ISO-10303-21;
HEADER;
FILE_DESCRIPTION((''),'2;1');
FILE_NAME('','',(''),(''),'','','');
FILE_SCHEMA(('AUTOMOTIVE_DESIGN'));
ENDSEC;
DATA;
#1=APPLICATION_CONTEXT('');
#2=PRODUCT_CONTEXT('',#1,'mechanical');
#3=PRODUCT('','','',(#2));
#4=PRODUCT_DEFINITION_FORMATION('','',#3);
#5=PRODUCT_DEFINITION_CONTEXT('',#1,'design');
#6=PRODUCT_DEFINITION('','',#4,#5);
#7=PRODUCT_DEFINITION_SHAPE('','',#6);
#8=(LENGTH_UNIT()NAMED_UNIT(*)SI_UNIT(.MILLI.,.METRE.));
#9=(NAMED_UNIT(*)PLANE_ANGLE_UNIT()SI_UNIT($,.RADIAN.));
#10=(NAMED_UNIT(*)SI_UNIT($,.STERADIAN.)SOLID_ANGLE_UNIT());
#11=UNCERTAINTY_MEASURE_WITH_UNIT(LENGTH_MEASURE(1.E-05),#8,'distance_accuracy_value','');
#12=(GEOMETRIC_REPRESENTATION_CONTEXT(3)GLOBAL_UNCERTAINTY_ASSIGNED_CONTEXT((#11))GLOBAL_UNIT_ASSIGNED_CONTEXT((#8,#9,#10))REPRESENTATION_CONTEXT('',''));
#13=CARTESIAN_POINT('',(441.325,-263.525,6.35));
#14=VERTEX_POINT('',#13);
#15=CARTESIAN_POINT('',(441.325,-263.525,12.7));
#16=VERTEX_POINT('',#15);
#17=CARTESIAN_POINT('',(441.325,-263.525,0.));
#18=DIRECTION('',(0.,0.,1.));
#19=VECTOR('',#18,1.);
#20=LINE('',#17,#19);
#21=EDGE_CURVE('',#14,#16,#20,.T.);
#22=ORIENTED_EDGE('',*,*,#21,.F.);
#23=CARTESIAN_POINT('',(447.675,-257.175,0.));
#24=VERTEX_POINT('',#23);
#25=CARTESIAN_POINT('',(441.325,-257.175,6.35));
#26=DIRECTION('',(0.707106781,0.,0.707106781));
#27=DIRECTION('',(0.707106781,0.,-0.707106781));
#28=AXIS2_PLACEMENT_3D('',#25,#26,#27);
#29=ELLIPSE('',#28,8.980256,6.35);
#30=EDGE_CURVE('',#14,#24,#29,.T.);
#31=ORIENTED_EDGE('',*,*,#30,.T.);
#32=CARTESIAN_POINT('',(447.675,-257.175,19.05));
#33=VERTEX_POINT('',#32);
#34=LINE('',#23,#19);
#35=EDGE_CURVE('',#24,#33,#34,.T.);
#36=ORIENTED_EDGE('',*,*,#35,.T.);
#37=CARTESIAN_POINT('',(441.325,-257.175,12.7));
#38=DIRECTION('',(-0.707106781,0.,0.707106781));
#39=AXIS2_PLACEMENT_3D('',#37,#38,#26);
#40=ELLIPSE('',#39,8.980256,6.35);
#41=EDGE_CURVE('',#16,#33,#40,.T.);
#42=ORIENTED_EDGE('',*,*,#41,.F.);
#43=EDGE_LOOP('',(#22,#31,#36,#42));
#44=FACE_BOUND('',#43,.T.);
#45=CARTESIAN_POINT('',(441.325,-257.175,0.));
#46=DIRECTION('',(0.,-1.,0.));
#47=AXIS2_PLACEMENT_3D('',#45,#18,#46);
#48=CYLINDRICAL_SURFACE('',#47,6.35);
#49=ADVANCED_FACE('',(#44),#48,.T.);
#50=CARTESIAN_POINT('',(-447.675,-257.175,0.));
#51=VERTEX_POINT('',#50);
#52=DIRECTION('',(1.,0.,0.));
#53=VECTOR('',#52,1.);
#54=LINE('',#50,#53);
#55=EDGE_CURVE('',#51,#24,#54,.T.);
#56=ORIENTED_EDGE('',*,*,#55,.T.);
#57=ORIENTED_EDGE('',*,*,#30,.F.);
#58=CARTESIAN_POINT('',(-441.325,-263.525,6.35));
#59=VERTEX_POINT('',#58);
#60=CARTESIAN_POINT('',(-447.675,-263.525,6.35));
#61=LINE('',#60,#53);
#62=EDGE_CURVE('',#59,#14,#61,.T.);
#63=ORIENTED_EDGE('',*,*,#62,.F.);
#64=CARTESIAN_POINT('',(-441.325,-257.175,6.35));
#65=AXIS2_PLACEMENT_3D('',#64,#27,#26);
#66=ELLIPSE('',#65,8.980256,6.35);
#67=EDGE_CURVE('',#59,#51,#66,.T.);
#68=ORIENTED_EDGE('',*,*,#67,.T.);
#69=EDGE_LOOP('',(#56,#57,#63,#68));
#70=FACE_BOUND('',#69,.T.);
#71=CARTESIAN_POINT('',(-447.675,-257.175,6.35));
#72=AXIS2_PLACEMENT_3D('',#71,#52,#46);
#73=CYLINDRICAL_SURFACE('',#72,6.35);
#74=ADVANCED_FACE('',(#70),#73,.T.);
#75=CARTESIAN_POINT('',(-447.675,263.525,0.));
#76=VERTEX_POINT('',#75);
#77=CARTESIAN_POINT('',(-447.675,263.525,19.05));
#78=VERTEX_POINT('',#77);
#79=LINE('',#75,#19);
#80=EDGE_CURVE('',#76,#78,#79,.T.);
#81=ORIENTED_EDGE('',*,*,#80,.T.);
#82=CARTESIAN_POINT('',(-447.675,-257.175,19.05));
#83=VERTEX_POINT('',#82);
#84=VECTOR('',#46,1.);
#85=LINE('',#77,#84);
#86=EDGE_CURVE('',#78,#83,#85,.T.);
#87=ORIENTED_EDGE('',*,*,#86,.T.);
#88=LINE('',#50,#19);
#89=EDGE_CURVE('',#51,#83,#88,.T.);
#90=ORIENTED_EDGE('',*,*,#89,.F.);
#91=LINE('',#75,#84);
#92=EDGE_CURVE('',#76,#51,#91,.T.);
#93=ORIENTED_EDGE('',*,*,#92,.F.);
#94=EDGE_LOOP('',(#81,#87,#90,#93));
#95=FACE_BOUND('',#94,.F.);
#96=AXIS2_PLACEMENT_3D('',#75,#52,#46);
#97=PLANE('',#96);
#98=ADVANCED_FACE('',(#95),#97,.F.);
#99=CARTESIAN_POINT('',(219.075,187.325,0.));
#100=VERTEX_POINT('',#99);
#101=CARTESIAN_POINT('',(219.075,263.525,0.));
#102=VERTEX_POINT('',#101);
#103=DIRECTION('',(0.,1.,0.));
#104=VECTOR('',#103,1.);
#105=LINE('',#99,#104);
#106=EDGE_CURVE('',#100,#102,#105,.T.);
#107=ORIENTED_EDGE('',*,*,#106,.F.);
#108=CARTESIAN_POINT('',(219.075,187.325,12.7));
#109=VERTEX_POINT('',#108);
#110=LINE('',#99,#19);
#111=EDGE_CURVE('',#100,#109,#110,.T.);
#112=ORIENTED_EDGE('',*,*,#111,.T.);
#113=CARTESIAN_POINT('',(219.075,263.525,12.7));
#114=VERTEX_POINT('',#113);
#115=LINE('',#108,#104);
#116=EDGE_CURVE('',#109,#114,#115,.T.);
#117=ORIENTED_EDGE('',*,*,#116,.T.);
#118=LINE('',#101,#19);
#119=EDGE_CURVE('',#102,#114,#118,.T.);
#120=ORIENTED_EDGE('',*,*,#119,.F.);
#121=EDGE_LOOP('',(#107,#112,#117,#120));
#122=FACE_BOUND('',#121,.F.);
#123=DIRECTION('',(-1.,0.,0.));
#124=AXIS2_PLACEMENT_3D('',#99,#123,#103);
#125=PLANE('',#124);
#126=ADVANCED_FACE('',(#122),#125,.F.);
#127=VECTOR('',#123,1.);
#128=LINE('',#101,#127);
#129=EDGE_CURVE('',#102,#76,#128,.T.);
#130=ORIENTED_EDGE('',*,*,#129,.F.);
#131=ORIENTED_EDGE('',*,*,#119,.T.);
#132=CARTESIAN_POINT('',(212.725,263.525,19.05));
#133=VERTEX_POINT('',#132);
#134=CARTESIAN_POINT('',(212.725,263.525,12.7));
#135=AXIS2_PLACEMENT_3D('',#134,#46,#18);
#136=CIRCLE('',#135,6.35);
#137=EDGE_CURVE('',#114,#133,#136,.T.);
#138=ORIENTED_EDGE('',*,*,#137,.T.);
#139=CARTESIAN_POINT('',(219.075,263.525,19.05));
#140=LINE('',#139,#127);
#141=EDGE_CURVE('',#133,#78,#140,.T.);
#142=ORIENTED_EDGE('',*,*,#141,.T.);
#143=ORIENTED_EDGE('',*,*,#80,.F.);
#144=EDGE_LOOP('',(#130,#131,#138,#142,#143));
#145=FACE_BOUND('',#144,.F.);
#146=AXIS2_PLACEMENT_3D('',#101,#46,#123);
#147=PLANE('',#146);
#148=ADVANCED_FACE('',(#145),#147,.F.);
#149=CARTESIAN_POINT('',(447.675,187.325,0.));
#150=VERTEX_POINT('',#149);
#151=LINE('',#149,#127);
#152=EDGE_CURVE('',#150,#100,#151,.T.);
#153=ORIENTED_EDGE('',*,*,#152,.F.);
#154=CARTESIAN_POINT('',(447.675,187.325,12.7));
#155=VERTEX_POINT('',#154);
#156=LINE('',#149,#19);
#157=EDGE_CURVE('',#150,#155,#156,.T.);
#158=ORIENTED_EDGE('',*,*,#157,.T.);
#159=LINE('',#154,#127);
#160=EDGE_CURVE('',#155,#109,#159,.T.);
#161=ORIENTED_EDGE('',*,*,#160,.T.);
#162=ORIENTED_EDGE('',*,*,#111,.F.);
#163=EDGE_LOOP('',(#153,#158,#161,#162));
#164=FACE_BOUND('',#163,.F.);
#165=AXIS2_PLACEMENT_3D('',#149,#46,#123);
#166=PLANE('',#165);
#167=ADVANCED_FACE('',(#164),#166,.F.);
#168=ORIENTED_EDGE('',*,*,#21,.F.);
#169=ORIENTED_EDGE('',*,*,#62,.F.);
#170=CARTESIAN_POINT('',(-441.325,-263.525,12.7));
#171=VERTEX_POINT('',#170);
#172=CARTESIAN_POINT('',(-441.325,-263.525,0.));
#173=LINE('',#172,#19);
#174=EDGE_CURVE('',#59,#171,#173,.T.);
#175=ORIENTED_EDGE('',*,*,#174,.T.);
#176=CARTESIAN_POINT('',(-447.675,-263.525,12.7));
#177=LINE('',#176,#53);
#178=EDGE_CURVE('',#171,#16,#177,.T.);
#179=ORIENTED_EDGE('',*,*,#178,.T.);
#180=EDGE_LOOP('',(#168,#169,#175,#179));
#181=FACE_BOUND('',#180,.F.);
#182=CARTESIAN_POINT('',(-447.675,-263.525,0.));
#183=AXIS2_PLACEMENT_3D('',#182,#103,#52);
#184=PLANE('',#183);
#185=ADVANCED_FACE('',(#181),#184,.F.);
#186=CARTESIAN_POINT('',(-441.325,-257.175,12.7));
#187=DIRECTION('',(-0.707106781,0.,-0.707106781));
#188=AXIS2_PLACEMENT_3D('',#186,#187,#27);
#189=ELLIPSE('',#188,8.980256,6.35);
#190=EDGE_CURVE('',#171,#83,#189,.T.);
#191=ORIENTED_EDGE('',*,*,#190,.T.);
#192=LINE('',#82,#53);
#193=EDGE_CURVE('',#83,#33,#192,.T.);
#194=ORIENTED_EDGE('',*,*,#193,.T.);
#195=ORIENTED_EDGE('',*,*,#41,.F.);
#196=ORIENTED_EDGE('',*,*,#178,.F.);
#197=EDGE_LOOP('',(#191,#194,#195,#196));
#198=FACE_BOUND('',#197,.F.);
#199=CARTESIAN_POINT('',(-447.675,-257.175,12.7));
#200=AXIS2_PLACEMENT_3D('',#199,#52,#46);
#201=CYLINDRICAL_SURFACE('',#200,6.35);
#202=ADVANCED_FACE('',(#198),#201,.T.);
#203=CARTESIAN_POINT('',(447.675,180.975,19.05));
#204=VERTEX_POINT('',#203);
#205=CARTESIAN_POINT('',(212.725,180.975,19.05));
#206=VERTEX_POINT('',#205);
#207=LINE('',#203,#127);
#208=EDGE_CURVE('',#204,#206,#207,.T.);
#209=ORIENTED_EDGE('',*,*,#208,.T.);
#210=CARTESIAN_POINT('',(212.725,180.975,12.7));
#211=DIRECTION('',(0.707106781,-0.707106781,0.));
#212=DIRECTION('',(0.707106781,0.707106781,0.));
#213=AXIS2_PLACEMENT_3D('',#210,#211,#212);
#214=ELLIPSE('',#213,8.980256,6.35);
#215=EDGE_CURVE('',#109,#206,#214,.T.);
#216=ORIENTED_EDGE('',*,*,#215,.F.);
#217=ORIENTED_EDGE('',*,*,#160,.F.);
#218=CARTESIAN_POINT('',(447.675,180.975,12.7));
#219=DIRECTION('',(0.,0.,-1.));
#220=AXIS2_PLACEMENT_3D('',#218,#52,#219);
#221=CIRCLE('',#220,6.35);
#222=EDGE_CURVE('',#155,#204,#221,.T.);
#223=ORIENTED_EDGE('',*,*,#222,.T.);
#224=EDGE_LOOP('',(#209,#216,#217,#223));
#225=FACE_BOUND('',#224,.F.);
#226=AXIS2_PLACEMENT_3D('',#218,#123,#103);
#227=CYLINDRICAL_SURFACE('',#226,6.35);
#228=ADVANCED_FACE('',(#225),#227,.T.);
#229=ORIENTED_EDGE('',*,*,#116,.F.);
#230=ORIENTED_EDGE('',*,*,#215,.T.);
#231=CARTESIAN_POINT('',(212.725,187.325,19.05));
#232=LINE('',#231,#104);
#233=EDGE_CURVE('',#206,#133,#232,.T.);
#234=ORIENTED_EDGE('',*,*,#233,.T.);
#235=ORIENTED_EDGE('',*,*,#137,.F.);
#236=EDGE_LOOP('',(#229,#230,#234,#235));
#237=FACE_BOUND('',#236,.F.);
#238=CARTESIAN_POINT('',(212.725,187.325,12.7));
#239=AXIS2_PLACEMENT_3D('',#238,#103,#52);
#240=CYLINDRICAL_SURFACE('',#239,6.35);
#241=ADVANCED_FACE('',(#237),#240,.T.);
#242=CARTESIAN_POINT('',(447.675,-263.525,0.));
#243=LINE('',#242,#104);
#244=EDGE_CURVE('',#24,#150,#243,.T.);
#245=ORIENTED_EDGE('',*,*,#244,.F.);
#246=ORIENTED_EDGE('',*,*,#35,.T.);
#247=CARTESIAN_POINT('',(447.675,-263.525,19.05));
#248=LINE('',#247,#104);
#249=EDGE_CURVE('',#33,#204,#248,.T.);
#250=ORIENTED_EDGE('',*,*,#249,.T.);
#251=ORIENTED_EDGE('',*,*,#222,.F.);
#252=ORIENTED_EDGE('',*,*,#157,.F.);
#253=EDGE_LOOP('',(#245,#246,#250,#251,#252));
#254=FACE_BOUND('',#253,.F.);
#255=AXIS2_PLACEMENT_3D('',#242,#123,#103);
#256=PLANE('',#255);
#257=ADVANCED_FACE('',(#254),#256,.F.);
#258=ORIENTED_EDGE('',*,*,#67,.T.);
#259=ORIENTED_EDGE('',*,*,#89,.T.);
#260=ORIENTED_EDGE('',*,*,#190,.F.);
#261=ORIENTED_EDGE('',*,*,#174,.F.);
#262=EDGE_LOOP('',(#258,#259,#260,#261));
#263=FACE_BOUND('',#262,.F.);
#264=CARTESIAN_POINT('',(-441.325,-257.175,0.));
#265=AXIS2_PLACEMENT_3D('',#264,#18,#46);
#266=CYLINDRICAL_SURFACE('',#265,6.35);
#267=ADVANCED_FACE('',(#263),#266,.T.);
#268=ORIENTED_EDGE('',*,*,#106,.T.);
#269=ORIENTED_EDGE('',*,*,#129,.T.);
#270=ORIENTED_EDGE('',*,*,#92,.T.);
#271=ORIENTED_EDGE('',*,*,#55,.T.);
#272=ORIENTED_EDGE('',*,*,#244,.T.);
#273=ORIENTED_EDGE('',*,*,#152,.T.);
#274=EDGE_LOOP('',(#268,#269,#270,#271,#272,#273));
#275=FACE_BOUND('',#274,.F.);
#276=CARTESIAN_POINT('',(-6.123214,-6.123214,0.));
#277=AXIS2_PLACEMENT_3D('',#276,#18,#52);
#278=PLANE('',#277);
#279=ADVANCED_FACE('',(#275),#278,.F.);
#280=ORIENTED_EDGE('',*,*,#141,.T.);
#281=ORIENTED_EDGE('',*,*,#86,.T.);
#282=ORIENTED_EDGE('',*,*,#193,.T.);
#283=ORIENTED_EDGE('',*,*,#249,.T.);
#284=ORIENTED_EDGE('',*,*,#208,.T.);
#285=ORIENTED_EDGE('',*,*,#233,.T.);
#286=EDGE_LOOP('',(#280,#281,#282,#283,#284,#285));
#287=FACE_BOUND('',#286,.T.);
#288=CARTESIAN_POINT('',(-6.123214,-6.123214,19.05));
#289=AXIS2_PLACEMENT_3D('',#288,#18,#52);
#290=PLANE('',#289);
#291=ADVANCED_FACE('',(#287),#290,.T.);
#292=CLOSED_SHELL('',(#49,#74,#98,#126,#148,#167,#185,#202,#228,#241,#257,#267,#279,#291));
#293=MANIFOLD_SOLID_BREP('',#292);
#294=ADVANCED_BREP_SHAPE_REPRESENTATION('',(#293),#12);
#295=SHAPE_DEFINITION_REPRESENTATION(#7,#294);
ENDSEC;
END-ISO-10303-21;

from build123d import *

# Parameters (mm, degrees)
F1_DEPTH = 19.05
F2_R     = 6.35


with BuildPart() as f1:
    # F0 (on Top) → F1 (new body)
    with BuildSketch(Plane.XY):
        Polygon((-447.675, -263.525), (447.675, -263.525), (447.675, 187.325), (219.075, 187.325), (219.075, 263.525), (-447.675, 263.525), align=None)
    extrude(amount=F1_DEPTH)

    # F2
    f2_edges = [f1.edges().sort_by_distance(p)[0] for p in [
        (0, -263.525, 19.05),
        (0, -263.525, 0),
        (-447.675, -263.525, 9.525),
        (447.675, -263.525, 9.525),
        (219.075, 225.425, 19.05),
        (333.375, 187.325, 19.05),
    ]]
    fillet(f2_edges, radius=F2_R)


solid = f1.part
